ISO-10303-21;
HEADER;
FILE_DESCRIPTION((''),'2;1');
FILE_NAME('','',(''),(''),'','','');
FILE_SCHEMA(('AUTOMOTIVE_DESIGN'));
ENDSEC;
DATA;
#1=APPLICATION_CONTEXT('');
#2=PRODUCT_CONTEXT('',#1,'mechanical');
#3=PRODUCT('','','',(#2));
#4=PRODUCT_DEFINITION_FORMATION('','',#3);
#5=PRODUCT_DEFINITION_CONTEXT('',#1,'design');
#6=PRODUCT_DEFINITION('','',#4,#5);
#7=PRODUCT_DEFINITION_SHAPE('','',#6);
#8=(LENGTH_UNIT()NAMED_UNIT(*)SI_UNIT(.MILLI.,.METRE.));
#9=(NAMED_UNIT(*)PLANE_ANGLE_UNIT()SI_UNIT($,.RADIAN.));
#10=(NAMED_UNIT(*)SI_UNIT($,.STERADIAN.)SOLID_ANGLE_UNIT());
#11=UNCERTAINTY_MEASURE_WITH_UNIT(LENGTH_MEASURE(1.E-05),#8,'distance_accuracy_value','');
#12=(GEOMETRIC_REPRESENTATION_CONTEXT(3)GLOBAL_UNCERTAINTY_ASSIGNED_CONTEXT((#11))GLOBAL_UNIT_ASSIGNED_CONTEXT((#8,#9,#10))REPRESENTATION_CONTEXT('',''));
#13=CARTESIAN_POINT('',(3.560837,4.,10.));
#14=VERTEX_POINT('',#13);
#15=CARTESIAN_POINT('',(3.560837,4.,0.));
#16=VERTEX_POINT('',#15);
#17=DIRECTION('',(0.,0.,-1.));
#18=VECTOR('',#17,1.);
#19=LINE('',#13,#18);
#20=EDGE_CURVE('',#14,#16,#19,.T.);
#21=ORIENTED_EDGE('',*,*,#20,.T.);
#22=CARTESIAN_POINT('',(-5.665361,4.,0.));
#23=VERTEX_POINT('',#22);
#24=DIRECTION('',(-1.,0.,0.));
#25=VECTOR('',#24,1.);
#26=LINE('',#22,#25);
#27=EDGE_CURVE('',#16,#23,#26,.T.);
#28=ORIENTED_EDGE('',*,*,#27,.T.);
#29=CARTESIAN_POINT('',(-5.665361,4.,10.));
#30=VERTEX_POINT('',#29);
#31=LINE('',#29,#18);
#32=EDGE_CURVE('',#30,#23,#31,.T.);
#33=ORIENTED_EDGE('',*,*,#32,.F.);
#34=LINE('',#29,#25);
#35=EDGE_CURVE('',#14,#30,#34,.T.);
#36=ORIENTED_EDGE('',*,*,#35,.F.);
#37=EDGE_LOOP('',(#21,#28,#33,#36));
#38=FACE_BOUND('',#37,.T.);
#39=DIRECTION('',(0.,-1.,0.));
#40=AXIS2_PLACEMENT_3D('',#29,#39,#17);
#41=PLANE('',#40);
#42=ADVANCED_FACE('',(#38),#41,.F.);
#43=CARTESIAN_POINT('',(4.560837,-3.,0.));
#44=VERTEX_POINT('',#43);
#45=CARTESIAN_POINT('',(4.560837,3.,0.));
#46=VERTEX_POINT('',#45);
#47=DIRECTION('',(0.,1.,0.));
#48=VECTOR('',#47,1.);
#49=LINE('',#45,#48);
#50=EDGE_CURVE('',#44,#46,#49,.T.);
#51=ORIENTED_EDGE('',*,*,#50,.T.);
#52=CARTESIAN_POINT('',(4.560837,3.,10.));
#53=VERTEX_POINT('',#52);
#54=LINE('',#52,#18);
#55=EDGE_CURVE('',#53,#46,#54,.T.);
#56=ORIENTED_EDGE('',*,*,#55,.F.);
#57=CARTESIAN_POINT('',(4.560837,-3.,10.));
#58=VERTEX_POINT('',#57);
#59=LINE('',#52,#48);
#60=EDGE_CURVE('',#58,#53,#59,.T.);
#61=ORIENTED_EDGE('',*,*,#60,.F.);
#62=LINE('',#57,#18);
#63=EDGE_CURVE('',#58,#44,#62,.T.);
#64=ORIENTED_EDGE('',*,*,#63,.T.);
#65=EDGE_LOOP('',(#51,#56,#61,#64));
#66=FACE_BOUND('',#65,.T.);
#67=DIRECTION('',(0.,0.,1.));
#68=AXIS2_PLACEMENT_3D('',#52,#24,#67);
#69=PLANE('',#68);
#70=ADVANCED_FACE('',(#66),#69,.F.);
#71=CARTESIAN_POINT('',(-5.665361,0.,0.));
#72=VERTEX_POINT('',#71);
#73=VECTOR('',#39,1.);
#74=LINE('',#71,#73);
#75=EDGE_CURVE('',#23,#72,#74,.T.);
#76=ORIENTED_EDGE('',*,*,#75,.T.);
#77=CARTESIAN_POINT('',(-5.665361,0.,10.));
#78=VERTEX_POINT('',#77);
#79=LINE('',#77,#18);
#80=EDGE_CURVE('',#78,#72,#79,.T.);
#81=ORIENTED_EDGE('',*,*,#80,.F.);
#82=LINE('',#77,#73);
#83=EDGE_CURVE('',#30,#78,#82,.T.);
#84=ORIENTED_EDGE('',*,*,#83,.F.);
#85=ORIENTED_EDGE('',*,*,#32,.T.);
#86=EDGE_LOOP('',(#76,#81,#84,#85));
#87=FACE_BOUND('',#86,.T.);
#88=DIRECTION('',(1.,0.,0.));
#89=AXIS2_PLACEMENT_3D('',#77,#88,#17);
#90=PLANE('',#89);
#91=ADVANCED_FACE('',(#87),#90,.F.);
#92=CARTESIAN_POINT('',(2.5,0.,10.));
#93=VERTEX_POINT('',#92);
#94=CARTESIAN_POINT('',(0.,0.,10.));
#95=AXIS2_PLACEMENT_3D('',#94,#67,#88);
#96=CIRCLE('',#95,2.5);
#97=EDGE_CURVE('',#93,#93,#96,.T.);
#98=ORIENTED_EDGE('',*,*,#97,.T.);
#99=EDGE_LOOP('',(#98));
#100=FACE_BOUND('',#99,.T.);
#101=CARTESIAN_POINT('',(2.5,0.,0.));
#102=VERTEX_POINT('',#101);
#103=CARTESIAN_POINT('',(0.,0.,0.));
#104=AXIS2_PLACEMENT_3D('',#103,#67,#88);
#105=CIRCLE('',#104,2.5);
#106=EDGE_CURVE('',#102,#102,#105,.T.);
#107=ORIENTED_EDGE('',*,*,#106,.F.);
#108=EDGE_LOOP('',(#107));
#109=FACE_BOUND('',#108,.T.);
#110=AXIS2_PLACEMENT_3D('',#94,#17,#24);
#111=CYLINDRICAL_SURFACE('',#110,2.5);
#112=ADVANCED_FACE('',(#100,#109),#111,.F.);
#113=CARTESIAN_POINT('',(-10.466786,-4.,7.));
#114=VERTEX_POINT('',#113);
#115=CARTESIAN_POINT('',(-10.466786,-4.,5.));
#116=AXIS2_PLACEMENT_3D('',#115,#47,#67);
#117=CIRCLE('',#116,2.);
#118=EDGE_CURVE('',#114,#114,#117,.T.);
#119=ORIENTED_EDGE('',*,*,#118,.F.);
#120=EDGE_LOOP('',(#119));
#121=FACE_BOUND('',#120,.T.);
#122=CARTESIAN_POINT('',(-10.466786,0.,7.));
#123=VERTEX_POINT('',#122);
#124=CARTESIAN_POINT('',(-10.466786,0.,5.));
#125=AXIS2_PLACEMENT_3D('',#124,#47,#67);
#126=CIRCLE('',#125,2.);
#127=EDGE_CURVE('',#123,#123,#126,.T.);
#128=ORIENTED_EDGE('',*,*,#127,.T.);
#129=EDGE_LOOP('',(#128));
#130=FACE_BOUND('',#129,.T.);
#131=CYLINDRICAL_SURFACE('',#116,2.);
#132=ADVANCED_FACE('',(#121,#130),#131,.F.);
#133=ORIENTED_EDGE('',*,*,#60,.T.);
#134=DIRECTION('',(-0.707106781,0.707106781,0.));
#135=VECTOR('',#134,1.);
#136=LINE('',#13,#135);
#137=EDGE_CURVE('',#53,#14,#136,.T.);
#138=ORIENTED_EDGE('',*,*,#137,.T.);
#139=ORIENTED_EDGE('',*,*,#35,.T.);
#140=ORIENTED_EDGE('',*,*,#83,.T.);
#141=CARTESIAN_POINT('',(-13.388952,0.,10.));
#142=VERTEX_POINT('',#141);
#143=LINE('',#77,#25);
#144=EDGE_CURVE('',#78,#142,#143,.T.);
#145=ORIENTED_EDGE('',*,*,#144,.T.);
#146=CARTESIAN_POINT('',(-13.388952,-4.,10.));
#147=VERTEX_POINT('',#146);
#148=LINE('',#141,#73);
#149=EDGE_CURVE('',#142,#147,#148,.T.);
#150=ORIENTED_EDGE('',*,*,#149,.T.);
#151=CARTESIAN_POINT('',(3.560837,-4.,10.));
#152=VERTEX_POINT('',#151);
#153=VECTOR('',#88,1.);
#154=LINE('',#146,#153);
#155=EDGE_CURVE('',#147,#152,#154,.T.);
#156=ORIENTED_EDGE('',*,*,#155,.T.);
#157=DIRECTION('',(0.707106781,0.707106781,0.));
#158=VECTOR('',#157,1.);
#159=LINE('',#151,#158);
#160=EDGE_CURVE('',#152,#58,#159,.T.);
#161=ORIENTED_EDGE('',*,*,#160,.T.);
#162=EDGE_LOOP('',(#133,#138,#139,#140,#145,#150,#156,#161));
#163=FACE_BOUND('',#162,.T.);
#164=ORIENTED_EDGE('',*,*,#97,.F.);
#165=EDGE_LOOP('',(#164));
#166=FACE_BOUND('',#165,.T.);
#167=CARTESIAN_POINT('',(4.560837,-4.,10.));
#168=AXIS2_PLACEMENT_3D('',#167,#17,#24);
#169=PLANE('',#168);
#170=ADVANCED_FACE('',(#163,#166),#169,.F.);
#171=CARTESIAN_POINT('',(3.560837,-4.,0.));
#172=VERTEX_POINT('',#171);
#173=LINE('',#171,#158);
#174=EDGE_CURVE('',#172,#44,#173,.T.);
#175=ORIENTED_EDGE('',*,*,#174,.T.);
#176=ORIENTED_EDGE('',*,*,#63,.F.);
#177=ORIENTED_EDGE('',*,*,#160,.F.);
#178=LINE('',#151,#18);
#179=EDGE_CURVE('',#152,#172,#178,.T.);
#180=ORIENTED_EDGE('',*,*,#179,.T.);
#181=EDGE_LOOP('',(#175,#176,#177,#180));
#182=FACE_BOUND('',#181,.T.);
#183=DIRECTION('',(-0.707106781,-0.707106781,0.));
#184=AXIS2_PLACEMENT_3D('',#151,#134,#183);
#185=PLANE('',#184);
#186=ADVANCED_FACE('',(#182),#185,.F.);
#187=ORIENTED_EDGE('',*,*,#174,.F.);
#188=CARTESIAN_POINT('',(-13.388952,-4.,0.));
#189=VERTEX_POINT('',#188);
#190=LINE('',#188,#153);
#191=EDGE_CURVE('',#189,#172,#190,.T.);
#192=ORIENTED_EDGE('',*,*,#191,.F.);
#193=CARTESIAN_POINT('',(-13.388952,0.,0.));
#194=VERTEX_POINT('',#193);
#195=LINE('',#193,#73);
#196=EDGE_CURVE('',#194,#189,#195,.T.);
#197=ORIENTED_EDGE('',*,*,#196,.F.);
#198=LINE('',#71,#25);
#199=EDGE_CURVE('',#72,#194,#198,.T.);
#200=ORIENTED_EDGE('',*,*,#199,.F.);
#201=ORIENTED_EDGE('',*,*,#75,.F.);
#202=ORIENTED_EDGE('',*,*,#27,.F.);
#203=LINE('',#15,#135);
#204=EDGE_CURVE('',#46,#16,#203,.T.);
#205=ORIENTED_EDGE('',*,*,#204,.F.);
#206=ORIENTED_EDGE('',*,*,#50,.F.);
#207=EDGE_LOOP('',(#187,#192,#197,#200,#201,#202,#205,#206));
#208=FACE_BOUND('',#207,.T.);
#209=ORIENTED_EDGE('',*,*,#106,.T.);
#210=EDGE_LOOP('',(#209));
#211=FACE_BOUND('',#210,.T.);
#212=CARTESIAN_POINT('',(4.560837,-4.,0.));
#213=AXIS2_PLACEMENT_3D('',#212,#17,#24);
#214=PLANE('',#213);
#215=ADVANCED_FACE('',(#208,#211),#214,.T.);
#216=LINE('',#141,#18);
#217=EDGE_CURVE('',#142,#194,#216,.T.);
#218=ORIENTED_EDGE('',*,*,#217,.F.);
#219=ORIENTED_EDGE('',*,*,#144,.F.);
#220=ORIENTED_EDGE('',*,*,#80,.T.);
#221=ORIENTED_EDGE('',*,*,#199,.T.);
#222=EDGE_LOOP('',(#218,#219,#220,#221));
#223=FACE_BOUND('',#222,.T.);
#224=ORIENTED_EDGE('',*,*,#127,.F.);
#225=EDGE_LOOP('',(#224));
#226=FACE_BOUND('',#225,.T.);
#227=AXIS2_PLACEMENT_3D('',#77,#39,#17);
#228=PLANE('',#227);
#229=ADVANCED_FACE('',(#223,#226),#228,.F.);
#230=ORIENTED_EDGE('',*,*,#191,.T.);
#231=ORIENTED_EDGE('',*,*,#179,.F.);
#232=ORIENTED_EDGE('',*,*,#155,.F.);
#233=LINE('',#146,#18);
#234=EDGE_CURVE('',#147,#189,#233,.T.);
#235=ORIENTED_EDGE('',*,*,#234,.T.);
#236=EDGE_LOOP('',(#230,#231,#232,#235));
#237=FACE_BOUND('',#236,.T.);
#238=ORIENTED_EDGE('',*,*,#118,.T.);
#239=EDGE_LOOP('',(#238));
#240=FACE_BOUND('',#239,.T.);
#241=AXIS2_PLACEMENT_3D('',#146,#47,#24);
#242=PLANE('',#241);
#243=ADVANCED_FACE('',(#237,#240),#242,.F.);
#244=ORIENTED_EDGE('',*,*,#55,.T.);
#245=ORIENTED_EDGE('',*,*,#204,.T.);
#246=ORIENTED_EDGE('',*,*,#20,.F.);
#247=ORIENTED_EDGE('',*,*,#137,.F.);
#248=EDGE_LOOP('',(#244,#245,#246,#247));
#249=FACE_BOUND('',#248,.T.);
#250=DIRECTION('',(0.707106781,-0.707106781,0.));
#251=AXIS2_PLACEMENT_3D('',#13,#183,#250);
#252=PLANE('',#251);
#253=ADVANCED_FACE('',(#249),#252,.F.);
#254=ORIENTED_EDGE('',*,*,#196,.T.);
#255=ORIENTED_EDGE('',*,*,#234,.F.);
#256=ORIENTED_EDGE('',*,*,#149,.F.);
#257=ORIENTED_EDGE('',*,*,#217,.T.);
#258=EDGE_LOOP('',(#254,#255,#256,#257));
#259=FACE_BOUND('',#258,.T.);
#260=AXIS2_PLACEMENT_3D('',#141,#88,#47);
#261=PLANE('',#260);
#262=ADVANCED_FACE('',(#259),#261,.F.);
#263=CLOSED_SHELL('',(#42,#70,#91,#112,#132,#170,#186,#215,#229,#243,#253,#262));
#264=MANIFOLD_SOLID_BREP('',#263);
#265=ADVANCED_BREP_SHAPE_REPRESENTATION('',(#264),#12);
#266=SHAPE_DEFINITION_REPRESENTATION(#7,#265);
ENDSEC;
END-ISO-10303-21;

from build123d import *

# Parameters (mm, degrees)
SKETCH_1_R          = 2.5
EXTRUDE_1_DEPTH     = 10
SKETCH_2_R          = 2
CUT_EXTRUDE_2_DEPTH = 18.18324903


with BuildPart() as part:
    # Эскиз1 → Вытянуть1 (new body)
    with BuildSketch(Plane.XY):
        Polygon((3.560836522, 4), (4.560836522, 3), (4.560836522, -3), (3.560836522, -4), (-13.388952432, -4), (-13.388952432, 0), (-5.665361164, 0), (-5.665361164, 4), align=None)
        Circle(SKETCH_1_R, mode=Mode.SUBTRACT)
    extrude(amount=EXTRUDE_1_DEPTH)

    # Эскиз2 → Вытянуть2 (cut, through all)
    with BuildSketch(Plane(origin=(0, 0, 0), x_dir=(-1, 0, 0), z_dir=(0, 1, 0))):
        with Locations(Location((10.466786093, 5, 0), (0, 0, 90))):
            Circle(SKETCH_2_R)
    extrude(amount=-CUT_EXTRUDE_2_DEPTH, mode=Mode.SUBTRACT)


solid = part.part
